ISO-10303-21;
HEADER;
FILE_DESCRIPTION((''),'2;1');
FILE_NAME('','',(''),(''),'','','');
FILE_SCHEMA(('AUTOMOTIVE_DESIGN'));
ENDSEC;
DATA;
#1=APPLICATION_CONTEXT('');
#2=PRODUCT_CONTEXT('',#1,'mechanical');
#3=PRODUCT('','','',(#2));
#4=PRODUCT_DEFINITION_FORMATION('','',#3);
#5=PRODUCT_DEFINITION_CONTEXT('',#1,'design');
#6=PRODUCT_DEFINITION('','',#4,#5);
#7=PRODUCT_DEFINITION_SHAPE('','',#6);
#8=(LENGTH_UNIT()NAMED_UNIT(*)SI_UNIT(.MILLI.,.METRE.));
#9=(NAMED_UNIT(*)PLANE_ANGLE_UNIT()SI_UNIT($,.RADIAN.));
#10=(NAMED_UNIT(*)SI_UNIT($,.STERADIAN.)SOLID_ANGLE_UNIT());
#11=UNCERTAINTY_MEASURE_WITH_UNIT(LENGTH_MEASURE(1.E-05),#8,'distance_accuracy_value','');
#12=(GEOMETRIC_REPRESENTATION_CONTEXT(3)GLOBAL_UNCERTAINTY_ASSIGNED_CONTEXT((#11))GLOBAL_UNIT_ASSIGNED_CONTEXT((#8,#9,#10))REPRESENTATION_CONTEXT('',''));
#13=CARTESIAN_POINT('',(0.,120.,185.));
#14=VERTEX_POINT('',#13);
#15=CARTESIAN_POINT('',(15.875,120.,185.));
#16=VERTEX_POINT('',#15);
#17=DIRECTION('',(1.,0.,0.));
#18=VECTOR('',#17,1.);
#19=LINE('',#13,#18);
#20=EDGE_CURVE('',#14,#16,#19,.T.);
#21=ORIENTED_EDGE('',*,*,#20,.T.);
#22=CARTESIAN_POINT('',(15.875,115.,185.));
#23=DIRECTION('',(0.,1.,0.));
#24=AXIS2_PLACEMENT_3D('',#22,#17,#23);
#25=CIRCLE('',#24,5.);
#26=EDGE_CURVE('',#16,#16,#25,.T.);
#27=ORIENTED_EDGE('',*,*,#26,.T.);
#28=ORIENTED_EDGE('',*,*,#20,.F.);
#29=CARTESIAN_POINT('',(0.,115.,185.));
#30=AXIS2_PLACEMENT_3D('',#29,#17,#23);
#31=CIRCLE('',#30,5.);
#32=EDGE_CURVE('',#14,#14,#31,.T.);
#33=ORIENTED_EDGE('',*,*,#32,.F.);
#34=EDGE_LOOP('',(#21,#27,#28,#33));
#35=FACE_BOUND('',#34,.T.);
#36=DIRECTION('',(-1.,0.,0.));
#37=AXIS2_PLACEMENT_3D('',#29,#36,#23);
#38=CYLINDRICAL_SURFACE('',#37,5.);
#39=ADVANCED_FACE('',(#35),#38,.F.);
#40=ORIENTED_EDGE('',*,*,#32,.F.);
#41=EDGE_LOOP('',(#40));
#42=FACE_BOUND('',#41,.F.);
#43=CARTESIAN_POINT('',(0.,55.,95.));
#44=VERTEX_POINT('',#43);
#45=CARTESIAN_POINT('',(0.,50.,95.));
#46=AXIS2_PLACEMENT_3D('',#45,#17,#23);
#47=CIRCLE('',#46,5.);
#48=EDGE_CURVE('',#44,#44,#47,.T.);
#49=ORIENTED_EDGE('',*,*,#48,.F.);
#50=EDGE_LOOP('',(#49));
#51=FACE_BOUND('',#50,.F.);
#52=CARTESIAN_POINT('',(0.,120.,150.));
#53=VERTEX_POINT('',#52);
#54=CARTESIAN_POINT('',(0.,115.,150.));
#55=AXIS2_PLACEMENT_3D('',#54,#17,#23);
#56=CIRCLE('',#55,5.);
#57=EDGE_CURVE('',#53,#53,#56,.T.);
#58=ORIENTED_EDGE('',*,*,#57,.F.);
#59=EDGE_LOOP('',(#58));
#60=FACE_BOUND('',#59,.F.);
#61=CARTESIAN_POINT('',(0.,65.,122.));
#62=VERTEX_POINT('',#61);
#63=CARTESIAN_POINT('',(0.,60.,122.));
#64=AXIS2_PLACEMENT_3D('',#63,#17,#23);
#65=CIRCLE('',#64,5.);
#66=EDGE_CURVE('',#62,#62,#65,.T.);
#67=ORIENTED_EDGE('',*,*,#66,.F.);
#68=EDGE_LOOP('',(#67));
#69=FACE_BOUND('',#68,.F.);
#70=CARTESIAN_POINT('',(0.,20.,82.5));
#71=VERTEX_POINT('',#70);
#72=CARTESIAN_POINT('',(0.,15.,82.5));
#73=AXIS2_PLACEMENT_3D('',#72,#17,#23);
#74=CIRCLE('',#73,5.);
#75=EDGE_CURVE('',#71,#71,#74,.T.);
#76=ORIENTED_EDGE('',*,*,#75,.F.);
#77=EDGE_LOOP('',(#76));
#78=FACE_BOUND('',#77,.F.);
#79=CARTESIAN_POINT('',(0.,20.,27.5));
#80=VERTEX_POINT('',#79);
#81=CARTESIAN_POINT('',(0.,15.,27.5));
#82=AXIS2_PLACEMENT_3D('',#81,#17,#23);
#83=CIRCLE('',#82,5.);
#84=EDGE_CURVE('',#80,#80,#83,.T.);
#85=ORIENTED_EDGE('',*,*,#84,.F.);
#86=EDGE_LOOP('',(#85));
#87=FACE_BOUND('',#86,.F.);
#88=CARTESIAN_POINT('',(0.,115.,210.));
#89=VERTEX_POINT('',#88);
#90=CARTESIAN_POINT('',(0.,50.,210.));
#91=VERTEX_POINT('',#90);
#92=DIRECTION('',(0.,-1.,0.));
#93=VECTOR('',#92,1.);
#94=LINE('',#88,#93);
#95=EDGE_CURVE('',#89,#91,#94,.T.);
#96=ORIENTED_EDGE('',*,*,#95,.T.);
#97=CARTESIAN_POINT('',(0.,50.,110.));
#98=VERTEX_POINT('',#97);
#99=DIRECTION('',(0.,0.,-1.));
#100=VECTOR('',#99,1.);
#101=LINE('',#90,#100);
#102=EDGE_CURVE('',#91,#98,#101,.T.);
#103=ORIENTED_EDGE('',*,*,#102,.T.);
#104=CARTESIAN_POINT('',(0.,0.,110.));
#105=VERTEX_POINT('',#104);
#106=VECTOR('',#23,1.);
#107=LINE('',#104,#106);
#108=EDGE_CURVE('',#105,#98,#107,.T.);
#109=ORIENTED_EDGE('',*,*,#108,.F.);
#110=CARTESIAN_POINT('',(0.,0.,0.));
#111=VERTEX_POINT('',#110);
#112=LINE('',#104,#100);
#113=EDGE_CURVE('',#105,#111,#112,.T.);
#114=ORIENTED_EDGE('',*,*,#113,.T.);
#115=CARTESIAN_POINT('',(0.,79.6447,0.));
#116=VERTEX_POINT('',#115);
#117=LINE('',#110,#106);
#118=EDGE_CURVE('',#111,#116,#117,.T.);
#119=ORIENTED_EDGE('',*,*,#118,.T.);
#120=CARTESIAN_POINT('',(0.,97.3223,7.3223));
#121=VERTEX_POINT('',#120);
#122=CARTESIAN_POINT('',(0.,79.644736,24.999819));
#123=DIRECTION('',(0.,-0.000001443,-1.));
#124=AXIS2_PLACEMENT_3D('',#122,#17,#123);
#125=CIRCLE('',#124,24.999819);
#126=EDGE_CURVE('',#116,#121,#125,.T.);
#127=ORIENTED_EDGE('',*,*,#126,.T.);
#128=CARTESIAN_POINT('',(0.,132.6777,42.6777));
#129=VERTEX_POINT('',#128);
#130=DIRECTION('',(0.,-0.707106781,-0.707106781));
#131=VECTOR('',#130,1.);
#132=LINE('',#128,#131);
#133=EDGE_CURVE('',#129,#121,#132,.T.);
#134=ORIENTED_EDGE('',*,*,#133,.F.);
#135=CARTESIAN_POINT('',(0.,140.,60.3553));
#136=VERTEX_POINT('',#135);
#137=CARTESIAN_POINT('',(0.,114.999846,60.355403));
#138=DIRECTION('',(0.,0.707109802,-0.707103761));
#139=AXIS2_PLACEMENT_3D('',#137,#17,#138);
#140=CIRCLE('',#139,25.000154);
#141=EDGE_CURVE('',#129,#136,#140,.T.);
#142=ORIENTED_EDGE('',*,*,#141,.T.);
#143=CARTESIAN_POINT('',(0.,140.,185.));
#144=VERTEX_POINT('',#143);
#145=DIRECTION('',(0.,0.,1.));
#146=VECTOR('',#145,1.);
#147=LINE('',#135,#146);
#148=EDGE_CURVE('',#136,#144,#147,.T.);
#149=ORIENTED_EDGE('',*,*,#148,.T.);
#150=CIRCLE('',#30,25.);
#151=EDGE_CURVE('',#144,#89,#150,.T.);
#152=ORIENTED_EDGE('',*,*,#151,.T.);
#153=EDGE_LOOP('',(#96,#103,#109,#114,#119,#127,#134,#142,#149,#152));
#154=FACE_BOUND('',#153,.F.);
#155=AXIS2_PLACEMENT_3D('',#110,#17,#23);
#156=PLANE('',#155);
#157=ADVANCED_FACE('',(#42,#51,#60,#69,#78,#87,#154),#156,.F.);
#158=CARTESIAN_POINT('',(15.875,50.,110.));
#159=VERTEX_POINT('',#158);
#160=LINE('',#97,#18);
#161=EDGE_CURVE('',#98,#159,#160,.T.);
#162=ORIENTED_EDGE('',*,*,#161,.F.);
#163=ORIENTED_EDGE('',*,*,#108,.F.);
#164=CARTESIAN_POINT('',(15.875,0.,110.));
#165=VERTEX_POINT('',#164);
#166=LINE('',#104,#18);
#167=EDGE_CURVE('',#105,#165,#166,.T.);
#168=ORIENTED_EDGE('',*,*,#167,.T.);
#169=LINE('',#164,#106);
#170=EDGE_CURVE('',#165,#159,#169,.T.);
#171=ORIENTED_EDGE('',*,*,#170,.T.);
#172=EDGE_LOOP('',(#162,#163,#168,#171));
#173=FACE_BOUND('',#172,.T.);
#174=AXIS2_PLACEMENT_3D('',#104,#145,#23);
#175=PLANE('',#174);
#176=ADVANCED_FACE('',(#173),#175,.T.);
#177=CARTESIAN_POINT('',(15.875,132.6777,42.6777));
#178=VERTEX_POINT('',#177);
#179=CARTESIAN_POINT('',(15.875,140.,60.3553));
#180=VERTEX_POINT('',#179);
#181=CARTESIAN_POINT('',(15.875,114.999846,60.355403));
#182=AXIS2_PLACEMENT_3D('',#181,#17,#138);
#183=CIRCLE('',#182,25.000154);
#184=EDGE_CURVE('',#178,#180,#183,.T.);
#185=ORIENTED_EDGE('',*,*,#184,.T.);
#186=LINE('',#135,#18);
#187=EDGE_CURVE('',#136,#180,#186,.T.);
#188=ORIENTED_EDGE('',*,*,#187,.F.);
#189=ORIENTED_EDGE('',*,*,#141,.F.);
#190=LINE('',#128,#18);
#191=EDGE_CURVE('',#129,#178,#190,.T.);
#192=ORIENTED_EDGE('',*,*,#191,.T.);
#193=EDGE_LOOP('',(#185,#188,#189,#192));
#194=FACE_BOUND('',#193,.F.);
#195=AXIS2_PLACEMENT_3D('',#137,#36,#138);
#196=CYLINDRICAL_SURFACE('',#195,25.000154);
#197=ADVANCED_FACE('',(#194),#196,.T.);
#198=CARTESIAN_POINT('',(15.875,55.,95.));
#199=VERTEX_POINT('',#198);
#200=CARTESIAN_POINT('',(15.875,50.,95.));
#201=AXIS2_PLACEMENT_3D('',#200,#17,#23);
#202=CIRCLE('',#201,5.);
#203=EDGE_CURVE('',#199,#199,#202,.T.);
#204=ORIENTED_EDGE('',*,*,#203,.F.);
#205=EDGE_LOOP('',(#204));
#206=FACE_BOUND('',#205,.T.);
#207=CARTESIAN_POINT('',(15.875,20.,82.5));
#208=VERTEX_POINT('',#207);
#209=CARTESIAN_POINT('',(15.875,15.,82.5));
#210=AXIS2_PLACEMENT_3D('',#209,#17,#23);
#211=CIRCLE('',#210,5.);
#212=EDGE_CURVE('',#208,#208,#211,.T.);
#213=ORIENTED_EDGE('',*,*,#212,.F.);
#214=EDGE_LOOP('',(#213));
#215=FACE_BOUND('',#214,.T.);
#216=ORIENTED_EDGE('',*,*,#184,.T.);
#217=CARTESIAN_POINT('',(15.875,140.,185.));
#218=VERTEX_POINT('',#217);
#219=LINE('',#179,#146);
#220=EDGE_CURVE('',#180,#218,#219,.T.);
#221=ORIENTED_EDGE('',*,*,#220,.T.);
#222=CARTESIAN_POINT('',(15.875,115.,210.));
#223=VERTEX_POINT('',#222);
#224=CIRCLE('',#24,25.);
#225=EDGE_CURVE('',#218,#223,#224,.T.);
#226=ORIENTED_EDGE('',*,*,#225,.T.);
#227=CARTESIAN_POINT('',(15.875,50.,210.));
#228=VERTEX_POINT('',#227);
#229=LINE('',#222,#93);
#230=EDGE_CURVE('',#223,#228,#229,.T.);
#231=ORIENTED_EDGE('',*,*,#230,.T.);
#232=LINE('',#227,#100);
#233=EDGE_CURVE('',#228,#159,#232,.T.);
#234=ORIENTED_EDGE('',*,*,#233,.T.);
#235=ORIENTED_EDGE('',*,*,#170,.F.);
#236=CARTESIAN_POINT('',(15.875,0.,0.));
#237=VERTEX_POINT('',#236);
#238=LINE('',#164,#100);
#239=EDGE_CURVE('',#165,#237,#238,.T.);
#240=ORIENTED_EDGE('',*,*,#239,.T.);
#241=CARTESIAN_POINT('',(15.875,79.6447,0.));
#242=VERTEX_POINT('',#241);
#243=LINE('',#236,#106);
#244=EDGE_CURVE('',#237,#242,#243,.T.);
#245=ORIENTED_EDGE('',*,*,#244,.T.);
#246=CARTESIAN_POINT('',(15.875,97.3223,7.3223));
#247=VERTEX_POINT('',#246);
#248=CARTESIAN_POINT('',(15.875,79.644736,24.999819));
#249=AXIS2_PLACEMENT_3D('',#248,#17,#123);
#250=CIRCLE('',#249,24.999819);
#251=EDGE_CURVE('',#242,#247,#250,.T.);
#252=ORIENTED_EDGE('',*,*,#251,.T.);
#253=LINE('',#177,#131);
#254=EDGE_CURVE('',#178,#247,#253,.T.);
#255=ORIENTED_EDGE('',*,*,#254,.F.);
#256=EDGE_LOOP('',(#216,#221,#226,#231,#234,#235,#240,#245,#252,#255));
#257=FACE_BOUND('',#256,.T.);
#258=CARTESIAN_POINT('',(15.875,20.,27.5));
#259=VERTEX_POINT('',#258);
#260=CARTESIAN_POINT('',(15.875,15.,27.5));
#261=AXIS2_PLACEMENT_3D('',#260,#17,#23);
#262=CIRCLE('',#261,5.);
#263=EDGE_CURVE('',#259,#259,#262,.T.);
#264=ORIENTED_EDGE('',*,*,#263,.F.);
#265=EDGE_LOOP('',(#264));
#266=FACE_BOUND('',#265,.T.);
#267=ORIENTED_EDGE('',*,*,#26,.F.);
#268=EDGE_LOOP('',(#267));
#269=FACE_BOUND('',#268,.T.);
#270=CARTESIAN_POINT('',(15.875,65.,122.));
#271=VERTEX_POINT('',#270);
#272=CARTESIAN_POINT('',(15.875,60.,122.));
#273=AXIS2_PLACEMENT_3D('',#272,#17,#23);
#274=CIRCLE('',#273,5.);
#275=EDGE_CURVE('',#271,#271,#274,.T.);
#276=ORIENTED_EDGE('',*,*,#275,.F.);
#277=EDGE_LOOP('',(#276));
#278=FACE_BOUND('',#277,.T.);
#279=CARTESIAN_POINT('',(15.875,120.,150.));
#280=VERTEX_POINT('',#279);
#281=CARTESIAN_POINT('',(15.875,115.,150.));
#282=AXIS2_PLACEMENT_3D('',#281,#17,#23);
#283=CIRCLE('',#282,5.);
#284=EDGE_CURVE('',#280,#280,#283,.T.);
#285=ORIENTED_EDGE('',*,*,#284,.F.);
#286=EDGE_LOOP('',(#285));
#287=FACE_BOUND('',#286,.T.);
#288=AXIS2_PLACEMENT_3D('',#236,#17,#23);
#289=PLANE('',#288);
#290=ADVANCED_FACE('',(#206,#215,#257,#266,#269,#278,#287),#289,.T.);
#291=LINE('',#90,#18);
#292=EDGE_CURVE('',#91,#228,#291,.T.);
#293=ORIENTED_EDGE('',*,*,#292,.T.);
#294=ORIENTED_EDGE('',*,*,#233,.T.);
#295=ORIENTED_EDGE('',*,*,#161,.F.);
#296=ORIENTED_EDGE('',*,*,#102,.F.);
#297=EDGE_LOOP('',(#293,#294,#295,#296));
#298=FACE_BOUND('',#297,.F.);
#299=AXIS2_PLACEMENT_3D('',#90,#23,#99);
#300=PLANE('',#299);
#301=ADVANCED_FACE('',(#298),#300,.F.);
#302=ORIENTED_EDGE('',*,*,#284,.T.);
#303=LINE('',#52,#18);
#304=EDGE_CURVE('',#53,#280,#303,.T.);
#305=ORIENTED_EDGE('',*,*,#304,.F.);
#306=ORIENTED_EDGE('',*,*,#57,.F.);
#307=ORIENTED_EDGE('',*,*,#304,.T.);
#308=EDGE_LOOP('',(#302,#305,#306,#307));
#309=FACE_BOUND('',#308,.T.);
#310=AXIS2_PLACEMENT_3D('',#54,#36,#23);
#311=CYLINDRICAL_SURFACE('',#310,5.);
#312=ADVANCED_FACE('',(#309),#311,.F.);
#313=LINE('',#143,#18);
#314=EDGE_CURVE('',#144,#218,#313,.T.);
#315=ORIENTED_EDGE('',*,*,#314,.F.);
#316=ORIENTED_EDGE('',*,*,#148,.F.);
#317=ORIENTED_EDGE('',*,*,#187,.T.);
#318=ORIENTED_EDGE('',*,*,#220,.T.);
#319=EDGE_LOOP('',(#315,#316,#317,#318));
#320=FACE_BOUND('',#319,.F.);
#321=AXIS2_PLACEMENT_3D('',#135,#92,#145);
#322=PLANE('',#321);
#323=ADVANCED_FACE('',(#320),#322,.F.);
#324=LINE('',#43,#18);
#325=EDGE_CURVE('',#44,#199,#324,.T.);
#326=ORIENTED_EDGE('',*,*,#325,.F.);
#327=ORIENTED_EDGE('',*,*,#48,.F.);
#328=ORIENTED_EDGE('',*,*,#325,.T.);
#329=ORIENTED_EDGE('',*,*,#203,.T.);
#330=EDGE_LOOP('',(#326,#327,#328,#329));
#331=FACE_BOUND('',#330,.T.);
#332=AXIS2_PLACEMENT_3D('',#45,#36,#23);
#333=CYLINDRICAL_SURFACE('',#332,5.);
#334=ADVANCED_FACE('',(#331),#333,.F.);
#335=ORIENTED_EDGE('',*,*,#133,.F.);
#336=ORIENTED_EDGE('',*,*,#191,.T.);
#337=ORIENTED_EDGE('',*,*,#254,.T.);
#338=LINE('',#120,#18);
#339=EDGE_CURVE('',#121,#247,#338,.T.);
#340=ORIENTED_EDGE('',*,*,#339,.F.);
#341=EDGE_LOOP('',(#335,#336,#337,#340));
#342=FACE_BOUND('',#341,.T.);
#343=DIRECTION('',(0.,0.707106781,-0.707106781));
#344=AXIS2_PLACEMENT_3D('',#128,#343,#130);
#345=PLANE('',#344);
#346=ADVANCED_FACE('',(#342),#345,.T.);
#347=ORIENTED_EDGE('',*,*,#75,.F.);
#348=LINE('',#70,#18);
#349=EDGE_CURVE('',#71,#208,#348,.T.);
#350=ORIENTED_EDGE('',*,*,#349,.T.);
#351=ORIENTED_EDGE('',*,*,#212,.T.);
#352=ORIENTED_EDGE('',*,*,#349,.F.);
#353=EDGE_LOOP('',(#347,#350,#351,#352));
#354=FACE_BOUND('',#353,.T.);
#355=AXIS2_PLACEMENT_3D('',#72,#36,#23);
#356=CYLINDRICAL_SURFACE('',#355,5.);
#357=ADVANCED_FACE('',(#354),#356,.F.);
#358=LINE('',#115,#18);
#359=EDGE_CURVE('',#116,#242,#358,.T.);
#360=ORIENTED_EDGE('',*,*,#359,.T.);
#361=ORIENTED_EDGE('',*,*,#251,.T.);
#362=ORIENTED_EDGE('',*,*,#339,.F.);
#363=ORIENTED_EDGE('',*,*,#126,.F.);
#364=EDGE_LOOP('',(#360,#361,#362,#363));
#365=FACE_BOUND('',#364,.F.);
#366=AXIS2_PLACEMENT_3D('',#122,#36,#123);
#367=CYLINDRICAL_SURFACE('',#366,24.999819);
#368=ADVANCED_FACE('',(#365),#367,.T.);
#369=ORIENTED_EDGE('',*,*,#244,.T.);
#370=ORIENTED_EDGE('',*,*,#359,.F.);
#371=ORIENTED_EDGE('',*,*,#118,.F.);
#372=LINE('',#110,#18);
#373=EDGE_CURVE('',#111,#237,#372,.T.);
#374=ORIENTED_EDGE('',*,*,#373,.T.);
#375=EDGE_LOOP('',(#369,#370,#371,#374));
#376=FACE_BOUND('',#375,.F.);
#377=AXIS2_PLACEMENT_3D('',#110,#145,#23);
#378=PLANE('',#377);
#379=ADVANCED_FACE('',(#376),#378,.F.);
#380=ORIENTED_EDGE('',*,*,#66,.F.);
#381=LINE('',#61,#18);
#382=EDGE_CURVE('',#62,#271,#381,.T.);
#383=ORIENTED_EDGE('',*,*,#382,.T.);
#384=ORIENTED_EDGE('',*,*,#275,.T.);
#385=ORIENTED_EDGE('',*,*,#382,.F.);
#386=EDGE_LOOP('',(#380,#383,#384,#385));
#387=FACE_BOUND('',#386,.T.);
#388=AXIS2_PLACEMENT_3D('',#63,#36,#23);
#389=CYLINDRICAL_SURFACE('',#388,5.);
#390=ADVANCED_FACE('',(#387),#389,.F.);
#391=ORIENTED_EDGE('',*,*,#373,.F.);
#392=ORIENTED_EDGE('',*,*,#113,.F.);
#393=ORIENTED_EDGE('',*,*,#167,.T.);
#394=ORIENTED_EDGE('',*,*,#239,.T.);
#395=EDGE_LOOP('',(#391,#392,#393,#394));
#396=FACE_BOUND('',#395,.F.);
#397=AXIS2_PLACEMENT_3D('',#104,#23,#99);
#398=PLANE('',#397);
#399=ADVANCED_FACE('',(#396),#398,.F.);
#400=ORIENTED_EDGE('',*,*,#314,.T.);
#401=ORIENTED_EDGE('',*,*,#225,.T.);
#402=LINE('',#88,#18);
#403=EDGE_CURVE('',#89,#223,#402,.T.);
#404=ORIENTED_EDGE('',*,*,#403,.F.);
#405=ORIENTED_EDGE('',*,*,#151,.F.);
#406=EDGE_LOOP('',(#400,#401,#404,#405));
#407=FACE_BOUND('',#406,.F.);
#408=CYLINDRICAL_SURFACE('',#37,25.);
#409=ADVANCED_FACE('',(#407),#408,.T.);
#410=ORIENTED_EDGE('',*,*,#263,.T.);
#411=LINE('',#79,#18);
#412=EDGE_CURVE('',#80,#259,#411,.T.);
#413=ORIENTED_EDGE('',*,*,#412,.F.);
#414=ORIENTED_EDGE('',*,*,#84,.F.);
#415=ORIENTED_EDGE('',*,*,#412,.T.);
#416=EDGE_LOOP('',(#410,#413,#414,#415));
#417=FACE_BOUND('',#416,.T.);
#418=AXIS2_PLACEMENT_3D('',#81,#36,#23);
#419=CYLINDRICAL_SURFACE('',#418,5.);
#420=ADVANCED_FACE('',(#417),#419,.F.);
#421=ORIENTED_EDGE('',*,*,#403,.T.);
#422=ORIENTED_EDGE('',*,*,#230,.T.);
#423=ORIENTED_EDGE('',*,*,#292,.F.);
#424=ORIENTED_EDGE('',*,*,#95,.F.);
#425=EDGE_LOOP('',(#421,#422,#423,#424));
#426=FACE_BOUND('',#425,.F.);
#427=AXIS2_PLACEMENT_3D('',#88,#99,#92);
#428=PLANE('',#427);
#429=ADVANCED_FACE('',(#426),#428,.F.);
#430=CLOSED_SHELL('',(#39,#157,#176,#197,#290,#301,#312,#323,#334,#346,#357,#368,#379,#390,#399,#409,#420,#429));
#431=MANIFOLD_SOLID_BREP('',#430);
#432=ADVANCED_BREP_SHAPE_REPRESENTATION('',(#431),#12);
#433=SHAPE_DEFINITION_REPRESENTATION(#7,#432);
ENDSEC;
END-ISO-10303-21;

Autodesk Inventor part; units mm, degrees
ref_plane "YZ Plane" through (0, 0, 0) normal (1, 0, 0) x (0, 1, 0)
ref_plane "XZ Plane" through (0, 0, 0) normal (0, 1, 0) x (-1, 0, 0)
ref_plane "XY Plane" through (0, 0, 0) normal (0, 0, 1) x (1, 0, 0)
sketch "Sketch1" plane through (0, 0, 0) normal (1, 0, 0) x (0, 1, 0)
  line L0 (0, 0) -> (79.6447, 0)
  line L1 (140, 60.3553) -> (140, 185)
  line L2 (115, 210) -> (50, 210)
  line L3 (0, 110) -> (0, 0)
  arc A0 (140, 185) -> (115, 210) centre (115, 185) ccw
  line L4 (50, 210) -> (50, 110)
  line L5 (0, 110) -> (50, 110)
  circle A1 centre (115, 185) radius 5
  circle A2 centre (115, 150) radius 5
  circle A3 centre (60, 122) radius 5
  circle A4 centre (50, 95) radius 5
  line L6 (132.6777, 42.6777) -> (97.3223, 7.3223)
  arc A5 (132.6777, 42.6777) -> (140, 60.3553) centre (115, 60.3553) ccw
  arc A6 (79.6447, 0) -> (97.3223, 7.3223) centre (79.6447, 25) ccw
  circle A7 centre (15, 82.5) radius 5
  circle A8 centre (15, 27.5) radius 5
  point P0 (140, 210)
  point P1 (90, 0)
  dimension "d2" = 25
  dimension "d3" = 90
  dimension "d4" = 110
  dimension "d5" = 140
  dimension "d6" = 10
  dimension "d7" = 88
  dimension "d8" = 10
  dimension "d9" = 15
  dimension "d10" = 25
  dimension "d11" = 35
  dimension "d12" = 25
  dimension "d13" = 50
  dimension "d14" = 45
  dimension "d15" = 210
  dimension "d16" = 25
  dimension "d17" = 25
  dimension "d20" = 55
  dimension "d21" = 27.5
  dimension "d22" = 35
  dimension "d23" = 10
extrude "Extrusion1" add sketch "Sketch1" along normal blind 15.875
properties part number "bodytoppart"
